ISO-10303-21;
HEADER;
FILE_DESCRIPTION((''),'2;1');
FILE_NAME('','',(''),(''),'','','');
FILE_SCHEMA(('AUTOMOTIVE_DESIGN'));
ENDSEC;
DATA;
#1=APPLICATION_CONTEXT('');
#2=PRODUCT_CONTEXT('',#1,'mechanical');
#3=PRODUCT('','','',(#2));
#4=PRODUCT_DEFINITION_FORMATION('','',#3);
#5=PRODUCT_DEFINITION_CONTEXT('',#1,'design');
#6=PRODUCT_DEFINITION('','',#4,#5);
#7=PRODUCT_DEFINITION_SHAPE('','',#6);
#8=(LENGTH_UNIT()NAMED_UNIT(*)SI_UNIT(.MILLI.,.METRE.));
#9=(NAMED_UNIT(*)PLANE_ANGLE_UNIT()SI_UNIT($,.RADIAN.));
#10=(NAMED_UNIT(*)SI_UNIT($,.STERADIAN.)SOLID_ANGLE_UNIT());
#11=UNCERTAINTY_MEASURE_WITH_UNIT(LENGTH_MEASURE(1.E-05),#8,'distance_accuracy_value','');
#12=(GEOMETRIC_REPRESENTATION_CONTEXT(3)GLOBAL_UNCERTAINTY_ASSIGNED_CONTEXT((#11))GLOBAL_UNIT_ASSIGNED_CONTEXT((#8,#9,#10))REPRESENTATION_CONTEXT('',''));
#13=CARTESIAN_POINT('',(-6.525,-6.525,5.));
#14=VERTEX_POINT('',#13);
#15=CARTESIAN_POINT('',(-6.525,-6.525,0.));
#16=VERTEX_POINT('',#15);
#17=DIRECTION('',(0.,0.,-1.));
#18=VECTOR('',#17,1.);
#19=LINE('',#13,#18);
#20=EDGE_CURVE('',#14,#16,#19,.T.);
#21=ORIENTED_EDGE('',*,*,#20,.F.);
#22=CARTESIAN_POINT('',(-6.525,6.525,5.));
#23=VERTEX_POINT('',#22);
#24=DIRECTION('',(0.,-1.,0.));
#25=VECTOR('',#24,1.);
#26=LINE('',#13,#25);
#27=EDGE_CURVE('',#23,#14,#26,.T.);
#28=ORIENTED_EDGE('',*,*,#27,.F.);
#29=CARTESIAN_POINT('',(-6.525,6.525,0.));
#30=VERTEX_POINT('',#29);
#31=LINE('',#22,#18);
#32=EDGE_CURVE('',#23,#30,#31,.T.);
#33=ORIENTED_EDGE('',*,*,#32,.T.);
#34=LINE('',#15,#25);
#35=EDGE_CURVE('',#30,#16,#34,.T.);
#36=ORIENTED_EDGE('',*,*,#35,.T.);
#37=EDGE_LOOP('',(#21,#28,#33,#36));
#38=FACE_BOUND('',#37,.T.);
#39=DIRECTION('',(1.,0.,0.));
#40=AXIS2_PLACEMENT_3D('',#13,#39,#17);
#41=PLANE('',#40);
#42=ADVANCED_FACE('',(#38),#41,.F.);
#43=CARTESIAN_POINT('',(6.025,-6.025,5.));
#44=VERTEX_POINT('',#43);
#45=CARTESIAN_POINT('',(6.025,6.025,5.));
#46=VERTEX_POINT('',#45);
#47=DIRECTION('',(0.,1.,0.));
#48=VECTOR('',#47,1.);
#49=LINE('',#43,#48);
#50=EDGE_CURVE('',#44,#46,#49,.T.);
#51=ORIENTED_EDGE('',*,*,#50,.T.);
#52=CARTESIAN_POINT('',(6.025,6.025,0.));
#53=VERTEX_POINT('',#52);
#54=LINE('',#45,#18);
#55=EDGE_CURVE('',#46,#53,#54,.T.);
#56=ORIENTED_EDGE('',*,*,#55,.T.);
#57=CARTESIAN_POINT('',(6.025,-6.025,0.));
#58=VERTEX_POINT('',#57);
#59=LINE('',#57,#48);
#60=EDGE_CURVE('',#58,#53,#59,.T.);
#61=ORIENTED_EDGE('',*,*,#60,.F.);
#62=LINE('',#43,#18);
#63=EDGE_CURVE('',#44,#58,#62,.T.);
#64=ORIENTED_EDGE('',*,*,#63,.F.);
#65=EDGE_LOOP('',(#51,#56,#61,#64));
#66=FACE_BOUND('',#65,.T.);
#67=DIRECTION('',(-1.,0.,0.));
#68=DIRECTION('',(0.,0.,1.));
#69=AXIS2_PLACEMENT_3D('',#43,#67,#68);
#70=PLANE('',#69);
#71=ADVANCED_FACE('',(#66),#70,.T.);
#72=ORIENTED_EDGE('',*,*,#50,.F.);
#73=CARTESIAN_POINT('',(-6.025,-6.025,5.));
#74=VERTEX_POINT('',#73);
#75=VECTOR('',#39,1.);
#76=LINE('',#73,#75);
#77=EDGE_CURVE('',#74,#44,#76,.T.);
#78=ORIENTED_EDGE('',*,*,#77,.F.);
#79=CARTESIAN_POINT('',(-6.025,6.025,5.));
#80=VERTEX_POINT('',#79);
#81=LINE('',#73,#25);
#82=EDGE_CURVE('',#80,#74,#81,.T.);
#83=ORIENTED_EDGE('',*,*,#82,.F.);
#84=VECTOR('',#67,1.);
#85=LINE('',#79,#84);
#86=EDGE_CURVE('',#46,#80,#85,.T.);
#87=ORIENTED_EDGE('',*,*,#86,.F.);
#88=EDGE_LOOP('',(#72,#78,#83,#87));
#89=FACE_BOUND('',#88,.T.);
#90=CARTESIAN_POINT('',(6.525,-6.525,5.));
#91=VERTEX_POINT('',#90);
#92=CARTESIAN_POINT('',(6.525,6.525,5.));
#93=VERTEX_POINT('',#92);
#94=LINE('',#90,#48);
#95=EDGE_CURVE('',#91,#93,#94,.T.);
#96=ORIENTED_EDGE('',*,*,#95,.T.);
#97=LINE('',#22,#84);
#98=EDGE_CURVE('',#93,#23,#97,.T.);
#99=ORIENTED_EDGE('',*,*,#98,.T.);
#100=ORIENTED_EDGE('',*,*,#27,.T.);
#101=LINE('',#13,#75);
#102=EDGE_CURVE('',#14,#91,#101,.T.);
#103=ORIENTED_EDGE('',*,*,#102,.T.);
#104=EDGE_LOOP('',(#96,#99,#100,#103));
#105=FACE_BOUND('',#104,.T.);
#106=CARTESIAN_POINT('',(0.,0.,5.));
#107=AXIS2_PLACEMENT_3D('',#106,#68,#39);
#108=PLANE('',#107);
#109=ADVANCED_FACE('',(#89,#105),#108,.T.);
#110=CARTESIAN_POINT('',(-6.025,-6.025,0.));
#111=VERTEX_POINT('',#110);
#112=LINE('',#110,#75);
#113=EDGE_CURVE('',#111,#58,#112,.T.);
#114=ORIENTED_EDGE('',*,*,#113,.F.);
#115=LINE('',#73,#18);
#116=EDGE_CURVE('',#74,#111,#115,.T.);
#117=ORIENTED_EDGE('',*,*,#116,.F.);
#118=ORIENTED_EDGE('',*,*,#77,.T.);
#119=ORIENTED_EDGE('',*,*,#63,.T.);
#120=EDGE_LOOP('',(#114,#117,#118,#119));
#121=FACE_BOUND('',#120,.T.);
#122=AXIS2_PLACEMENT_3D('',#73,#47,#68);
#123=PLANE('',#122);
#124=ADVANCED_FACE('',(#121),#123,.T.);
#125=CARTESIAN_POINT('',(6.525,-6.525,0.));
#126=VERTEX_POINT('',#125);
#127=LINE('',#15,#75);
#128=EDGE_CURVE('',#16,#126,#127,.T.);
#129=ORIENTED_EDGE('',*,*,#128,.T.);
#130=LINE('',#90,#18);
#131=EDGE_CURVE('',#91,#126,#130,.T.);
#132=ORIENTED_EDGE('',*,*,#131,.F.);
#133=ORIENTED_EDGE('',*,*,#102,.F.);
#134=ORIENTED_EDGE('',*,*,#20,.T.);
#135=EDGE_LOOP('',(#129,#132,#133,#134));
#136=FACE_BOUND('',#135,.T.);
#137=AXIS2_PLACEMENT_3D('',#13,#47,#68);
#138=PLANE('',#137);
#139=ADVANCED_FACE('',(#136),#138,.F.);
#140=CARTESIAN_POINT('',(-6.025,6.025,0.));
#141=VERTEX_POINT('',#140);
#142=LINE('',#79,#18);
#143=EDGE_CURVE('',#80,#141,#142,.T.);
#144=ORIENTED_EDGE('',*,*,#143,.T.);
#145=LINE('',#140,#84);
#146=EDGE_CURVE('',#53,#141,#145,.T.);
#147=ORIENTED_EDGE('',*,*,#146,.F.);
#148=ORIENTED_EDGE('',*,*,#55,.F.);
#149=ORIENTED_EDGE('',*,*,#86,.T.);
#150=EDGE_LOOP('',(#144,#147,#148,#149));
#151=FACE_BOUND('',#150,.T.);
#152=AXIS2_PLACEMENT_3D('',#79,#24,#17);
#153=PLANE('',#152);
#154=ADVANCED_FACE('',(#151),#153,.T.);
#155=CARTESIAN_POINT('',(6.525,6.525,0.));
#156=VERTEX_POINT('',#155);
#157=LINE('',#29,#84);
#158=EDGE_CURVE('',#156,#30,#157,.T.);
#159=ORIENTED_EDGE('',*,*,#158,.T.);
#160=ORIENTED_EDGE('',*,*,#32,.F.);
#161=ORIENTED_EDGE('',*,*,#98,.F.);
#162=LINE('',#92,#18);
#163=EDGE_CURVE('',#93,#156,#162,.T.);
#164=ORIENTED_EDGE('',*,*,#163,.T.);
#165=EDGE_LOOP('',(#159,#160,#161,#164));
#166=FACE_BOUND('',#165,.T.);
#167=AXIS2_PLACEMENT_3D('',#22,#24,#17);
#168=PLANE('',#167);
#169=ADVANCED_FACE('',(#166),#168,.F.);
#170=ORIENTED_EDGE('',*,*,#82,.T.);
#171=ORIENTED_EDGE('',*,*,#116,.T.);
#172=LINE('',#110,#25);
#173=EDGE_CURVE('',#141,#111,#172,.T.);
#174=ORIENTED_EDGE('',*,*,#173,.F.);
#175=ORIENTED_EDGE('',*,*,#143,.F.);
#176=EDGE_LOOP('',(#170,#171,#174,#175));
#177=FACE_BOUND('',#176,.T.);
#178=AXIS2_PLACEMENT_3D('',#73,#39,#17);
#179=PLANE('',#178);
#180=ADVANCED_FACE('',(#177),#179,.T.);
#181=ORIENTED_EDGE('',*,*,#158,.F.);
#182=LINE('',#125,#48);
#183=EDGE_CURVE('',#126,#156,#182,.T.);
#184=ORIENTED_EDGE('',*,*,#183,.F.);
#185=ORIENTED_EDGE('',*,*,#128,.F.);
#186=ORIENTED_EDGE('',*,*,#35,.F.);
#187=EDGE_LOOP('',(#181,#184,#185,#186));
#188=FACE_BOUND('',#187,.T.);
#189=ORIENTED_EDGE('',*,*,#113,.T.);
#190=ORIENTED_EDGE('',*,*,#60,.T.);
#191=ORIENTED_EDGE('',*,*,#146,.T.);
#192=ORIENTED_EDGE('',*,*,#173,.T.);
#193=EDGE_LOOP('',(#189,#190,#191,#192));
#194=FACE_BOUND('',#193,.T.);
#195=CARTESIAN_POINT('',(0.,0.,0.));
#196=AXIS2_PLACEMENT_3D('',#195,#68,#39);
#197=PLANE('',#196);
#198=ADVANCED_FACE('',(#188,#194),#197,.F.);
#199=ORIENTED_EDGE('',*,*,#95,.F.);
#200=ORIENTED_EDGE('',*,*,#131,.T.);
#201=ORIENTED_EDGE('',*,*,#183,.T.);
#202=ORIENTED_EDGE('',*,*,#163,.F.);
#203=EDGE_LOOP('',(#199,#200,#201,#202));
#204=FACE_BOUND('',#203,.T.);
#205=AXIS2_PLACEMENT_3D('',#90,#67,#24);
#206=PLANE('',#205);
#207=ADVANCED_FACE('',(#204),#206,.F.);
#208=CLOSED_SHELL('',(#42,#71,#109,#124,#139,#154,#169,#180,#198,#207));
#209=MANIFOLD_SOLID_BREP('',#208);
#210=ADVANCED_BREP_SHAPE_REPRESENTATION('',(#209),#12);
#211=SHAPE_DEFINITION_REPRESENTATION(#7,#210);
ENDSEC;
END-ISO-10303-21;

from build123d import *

# Parameters (mm, degrees)
SKETCH1_W           = 13.05
SKETCH1_H           = 13.05
SKETCH1_W_2         = 12.05
SKETCH1_H_2         = 12.05
BOSS_EXTRUDE1_DEPTH = 5


with BuildPart() as part:
    # Sketch1 → Boss-Extrude1 (new body)
    with BuildSketch(Plane.XY):
        Rectangle(SKETCH1_W, SKETCH1_H)
        Rectangle(SKETCH1_W_2, SKETCH1_H_2, mode=Mode.SUBTRACT)
    extrude(amount=BOSS_EXTRUDE1_DEPTH)


solid = part.part
